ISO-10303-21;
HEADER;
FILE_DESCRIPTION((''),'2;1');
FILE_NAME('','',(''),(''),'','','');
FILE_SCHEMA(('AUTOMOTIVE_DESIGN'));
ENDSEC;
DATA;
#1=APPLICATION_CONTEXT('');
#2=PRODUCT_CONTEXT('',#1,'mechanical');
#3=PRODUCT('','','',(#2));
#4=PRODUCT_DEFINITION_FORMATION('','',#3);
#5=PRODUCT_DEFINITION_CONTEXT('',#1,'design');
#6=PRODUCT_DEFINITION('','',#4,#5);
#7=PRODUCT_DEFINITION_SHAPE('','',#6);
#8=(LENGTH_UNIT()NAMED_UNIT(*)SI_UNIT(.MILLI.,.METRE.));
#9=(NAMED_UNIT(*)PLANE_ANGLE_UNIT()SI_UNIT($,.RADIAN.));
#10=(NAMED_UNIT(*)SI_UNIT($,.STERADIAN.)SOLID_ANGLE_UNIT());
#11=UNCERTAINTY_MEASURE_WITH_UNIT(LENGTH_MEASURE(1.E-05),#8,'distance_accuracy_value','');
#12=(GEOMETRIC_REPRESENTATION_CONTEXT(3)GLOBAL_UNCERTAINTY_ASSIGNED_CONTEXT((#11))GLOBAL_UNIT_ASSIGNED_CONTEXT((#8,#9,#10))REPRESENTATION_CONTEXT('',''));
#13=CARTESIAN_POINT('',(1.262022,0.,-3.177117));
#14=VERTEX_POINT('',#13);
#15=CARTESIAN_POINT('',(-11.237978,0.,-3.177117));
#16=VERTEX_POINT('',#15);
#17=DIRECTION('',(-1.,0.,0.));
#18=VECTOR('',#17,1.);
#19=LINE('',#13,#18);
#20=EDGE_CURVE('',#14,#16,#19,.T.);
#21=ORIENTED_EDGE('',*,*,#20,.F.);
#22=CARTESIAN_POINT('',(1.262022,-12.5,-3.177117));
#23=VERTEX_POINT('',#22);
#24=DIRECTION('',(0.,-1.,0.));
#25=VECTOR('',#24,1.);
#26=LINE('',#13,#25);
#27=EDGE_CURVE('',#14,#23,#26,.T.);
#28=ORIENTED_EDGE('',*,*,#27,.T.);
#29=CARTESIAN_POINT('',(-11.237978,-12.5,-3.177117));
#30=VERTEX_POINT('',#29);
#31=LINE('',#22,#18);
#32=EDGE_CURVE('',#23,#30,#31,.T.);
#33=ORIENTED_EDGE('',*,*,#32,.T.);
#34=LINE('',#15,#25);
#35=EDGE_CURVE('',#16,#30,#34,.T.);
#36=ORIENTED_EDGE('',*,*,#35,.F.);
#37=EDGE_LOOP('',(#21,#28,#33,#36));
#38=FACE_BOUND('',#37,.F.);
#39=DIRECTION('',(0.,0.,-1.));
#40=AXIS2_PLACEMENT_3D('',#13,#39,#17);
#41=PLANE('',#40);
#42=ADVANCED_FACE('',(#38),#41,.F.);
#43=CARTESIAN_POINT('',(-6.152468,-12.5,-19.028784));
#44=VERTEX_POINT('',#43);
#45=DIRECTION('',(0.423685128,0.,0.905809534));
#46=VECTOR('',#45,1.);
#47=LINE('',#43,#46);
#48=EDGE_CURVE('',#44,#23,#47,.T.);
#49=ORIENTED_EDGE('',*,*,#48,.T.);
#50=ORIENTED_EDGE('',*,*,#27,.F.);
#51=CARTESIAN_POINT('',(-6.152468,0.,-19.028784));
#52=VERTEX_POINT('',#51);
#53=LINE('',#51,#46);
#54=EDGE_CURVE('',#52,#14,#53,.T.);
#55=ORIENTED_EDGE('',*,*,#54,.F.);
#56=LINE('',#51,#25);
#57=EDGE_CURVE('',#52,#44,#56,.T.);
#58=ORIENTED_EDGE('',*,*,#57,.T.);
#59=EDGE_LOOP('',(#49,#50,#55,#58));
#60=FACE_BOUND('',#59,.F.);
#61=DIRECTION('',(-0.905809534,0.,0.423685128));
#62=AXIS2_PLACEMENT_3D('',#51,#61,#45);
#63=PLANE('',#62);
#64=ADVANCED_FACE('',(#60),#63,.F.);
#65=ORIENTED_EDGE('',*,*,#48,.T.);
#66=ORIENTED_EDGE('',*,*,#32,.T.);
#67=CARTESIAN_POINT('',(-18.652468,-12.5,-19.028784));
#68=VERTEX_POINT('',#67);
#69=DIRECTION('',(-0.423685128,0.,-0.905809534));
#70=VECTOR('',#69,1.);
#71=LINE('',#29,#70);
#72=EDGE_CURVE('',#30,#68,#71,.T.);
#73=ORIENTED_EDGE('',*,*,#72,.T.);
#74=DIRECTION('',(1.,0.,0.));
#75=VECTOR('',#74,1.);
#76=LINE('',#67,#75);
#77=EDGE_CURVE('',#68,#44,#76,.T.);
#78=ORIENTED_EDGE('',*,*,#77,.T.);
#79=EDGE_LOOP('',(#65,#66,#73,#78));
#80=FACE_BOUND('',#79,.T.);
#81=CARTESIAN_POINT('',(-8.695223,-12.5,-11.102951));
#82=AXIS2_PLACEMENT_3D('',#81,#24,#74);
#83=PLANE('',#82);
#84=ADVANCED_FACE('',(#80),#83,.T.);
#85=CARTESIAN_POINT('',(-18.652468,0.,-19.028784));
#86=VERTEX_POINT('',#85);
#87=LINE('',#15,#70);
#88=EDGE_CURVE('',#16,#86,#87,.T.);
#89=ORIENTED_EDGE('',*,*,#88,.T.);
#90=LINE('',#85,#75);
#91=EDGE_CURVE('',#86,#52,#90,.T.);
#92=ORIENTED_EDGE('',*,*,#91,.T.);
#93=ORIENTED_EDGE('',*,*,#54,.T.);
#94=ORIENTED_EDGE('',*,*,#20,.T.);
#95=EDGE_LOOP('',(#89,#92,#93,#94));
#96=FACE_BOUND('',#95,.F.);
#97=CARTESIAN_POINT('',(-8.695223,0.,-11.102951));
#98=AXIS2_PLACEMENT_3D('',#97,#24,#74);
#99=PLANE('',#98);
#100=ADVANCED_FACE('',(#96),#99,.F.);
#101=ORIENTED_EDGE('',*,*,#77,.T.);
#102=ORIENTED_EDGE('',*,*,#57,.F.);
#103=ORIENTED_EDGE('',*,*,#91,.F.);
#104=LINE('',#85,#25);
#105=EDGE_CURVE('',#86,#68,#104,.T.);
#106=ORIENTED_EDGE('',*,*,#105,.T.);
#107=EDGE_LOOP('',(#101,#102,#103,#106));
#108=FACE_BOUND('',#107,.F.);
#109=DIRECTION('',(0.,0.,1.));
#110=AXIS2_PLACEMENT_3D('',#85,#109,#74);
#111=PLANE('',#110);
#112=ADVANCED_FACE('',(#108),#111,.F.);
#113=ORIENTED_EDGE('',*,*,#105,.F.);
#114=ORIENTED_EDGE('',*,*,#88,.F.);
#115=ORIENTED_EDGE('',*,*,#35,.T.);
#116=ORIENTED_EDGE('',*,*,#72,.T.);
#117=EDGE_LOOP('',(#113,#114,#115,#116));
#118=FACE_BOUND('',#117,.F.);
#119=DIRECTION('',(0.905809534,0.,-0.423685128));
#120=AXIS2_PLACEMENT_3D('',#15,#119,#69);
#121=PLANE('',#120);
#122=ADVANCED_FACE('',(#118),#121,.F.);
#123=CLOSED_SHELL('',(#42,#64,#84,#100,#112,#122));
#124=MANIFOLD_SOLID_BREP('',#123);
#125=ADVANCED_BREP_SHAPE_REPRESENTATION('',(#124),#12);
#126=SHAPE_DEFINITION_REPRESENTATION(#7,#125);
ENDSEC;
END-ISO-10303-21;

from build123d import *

# Parameters (mm, degrees)
F1_DEPTH = 25
F2_SCALE = 0.5


with BuildPart() as f1:
    # F0 (on Front) → F1 (new body)
    with BuildSketch(Plane.XZ):
        Polygon((-22.4759557433, -6.3542349409), (-37.3049352365, -38.057568633), (-12.3049352365, -38.057568633), (2.5240442567, -6.3542349409), align=None)
    extrude(amount=F1_DEPTH)


with BuildPart() as f1_1:
    # F2: moved
    add(f1.part.scale(F2_SCALE))


solid = f1_1.part
